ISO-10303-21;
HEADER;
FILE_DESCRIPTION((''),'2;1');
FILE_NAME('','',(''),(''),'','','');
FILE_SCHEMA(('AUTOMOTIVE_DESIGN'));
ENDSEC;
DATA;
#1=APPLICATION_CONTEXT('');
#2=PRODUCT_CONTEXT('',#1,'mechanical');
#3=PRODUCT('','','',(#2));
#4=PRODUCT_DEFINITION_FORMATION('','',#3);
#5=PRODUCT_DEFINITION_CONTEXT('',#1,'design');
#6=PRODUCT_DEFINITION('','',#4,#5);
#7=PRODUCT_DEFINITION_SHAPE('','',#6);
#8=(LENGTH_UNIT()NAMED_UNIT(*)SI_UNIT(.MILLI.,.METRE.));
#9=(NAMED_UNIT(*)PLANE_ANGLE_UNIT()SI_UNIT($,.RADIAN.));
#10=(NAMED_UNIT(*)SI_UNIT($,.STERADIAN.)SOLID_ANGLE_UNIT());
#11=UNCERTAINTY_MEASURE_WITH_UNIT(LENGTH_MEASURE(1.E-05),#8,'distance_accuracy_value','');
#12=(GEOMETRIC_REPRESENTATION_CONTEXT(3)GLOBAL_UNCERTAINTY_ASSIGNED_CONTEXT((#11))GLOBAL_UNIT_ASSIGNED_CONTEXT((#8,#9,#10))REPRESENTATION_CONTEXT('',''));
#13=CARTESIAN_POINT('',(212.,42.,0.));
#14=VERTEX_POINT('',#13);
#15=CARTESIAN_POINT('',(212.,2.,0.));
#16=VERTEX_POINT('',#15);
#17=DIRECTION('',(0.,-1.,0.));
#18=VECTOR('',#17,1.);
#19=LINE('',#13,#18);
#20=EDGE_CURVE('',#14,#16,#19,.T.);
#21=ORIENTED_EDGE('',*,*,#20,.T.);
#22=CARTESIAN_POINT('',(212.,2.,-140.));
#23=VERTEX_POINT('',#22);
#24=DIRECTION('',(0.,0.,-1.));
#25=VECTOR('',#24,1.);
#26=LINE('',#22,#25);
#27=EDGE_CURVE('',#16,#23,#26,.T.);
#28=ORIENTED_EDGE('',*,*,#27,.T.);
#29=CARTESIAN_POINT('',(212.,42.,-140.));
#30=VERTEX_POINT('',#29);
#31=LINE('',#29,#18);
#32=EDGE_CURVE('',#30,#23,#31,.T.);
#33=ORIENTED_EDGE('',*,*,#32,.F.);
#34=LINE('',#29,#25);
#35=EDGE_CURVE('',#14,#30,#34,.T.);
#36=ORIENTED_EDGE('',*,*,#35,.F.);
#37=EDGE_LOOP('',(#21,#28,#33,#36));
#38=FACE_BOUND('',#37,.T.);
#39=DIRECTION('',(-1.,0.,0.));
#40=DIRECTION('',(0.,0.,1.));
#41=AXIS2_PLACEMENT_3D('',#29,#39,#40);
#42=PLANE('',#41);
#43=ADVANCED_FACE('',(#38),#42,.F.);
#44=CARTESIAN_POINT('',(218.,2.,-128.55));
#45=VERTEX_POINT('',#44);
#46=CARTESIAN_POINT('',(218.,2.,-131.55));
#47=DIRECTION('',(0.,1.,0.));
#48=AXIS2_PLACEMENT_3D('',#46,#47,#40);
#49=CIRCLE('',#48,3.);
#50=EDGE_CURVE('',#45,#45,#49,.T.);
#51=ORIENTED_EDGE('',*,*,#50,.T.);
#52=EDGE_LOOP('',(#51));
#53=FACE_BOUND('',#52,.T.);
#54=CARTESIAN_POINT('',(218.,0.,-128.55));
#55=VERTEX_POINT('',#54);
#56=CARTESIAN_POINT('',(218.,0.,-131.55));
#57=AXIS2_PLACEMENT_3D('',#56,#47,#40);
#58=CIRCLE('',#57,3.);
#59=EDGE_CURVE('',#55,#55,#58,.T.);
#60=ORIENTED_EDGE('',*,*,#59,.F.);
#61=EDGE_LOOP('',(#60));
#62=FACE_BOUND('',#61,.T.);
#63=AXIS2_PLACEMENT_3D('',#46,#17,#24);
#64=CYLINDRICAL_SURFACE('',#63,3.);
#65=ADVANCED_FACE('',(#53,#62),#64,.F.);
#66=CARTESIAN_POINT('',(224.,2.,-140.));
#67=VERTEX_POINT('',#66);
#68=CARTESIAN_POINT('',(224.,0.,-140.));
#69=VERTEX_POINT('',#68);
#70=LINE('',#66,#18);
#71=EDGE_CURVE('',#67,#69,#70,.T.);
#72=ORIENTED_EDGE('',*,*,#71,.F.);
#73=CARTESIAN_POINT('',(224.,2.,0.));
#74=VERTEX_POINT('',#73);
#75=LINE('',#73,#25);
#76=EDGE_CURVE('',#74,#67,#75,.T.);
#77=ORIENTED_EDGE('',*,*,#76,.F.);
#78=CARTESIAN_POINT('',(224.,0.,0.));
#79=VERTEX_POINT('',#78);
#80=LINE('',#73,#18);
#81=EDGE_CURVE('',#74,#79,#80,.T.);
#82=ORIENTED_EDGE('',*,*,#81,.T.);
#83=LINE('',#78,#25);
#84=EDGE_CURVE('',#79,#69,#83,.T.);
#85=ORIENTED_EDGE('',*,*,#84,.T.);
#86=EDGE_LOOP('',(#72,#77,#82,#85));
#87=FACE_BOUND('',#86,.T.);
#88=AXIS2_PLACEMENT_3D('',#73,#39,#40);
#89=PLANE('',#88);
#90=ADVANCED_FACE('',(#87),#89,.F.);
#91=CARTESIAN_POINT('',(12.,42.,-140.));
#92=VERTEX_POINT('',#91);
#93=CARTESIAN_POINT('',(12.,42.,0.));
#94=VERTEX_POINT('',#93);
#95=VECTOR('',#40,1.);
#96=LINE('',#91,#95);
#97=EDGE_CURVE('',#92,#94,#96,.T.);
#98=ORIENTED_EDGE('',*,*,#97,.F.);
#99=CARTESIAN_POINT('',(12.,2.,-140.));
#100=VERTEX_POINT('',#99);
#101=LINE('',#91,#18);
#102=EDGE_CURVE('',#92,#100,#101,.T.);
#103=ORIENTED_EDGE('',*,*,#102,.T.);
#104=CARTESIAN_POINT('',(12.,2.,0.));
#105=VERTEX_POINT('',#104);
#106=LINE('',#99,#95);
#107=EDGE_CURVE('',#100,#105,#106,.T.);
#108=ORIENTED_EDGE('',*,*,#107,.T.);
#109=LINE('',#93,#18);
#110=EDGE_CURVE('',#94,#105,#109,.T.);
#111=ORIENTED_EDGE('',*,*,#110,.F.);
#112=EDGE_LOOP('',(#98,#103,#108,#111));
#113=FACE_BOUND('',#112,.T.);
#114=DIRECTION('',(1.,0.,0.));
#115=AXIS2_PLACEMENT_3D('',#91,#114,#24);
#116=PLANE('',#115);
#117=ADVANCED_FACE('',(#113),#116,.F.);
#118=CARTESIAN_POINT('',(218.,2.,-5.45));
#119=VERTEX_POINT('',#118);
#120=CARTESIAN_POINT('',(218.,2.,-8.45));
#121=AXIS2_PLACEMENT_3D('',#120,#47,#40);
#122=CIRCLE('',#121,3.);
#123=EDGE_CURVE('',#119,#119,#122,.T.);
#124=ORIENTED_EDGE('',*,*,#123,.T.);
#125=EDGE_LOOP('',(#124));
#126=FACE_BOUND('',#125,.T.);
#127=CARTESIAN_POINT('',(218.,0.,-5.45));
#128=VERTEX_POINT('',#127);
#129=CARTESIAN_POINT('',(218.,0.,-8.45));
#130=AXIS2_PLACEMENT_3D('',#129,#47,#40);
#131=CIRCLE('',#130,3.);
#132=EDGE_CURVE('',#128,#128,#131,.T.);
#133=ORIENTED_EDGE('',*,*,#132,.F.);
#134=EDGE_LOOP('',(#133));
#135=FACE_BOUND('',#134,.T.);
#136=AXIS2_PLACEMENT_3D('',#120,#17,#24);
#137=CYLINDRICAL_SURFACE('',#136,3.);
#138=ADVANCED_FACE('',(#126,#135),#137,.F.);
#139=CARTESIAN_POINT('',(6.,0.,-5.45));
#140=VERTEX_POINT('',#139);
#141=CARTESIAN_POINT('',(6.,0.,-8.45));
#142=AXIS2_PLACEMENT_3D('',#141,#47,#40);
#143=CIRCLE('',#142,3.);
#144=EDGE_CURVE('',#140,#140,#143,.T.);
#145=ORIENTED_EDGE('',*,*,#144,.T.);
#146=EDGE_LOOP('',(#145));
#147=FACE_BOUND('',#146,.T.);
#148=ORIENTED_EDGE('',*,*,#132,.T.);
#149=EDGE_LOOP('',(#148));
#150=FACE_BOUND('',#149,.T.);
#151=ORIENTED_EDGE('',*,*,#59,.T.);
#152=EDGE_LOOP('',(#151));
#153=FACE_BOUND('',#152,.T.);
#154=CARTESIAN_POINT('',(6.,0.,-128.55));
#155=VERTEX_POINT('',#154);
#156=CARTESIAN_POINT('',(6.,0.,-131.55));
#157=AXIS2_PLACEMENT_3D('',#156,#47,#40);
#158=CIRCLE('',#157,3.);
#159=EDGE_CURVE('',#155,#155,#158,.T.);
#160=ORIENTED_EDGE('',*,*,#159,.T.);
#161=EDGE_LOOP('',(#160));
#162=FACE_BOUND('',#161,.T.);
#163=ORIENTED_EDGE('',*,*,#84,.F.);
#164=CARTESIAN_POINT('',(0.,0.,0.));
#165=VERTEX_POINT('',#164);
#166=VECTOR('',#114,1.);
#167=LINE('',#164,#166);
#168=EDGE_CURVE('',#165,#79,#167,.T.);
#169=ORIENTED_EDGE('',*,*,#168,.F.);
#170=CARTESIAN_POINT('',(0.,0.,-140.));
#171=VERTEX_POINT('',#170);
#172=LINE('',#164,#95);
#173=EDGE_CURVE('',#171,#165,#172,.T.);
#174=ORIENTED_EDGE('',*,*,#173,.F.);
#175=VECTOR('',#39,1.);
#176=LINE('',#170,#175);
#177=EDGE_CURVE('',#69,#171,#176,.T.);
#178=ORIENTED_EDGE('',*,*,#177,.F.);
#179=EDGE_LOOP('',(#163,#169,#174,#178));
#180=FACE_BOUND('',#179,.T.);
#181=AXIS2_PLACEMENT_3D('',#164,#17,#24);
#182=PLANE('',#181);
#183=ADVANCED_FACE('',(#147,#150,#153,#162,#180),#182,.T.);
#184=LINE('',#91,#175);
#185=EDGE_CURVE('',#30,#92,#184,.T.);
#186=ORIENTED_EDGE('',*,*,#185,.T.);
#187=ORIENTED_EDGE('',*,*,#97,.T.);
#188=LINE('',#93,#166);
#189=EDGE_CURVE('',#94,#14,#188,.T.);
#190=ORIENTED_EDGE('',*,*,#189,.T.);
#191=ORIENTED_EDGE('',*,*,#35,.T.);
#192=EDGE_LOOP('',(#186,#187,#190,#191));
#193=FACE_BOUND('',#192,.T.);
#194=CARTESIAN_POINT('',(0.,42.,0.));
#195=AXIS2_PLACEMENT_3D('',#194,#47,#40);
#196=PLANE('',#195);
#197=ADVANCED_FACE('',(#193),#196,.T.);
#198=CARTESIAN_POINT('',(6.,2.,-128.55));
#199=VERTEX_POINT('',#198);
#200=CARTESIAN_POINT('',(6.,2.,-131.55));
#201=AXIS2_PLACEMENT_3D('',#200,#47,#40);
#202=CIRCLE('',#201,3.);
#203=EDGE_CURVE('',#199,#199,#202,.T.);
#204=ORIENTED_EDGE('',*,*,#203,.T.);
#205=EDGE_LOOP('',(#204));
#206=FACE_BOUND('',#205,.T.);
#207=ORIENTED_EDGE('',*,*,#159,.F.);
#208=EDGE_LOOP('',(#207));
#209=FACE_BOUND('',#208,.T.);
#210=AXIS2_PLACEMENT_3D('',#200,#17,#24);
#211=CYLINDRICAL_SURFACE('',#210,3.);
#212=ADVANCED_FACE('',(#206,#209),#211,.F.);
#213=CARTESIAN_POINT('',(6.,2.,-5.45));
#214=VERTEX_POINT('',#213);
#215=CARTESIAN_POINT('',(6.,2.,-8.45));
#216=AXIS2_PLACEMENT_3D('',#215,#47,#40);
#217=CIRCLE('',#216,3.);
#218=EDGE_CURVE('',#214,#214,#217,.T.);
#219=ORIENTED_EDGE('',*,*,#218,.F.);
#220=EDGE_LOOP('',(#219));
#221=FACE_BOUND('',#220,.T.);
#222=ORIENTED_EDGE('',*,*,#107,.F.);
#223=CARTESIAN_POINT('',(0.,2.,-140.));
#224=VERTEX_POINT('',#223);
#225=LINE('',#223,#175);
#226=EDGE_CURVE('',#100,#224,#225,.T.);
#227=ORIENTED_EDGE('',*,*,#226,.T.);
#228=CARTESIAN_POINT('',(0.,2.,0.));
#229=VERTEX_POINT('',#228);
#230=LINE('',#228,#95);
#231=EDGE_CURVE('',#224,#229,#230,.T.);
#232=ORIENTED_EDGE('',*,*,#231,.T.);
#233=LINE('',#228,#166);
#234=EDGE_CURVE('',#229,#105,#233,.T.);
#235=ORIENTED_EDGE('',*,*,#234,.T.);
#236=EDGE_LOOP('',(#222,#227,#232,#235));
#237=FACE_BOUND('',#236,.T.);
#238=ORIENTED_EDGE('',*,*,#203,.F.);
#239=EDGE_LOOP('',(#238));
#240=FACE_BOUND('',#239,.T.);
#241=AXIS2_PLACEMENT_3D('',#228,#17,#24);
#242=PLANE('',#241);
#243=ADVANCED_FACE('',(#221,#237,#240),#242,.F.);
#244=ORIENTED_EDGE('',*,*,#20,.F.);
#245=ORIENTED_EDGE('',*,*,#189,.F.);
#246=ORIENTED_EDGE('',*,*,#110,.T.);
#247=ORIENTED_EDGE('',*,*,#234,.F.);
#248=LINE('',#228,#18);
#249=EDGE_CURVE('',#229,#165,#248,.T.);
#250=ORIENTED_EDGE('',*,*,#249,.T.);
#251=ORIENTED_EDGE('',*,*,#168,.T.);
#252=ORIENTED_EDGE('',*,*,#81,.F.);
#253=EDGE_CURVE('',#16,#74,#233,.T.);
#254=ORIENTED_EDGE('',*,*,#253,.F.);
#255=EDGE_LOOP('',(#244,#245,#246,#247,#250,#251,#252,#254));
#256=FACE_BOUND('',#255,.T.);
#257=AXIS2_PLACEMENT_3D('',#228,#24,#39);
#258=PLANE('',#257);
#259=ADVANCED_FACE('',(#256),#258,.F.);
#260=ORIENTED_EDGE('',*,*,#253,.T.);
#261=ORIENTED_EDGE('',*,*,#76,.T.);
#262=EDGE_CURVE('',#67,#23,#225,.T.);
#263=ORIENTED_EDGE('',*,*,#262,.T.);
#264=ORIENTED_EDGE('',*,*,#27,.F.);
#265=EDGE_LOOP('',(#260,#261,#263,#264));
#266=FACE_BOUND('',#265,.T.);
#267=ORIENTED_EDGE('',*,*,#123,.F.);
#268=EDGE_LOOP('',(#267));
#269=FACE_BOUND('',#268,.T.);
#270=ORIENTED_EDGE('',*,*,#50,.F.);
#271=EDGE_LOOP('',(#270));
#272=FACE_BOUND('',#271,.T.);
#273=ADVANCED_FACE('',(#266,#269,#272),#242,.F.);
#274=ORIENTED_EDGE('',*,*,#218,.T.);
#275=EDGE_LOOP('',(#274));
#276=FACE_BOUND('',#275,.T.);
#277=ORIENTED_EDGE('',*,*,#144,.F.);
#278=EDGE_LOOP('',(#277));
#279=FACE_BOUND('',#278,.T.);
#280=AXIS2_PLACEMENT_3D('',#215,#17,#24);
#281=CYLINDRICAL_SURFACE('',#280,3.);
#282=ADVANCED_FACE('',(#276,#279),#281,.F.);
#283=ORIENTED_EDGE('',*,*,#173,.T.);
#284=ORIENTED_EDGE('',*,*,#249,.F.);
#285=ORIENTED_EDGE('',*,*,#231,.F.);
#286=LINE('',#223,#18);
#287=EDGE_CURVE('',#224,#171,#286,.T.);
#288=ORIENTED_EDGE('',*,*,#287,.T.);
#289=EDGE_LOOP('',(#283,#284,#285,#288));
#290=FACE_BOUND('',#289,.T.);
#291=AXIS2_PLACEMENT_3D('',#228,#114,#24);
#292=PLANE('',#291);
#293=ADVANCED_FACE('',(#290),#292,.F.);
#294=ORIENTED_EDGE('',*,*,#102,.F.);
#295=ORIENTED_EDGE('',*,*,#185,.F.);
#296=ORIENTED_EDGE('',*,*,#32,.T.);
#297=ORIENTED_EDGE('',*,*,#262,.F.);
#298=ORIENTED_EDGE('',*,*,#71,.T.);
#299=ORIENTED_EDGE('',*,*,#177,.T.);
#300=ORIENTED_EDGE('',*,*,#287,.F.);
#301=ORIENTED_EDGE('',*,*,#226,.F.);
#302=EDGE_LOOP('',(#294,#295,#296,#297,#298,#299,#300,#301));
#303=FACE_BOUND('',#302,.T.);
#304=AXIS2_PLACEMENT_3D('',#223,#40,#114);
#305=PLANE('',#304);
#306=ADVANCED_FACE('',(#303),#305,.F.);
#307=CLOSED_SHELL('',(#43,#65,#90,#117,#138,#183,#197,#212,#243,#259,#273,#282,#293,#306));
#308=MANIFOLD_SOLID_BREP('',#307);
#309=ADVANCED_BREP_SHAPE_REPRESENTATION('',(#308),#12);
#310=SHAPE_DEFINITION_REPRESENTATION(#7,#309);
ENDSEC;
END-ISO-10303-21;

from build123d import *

# Parameters (mm, degrees)
SKETCH_1_W      = 224
SKETCH_1_H      = 140
SKETCH_1_R      = 3
EXTRUDE_1_DEPTH = 2
SKETCH_2_W      = 200
SKETCH_2_H      = 140
EXTRUDE_2_DEPTH = 40


with BuildPart() as part:
    # 草图1 → 凸台-拉伸1 (new body)
    with BuildSketch(Plane(origin=(0, 0, 0), x_dir=(1, 0, 0), z_dir=(0, 1, 0))):
        with Locations((112, 70)):
            Rectangle(SKETCH_1_W, SKETCH_1_H)
        with Locations((6, 131.55)):
            Circle(SKETCH_1_R, mode=Mode.SUBTRACT)
        with Locations((218, 131.55)):
            Circle(SKETCH_1_R, mode=Mode.SUBTRACT)
        with Locations((218, 8.45)):
            Circle(SKETCH_1_R, mode=Mode.SUBTRACT)
        with Locations((6, 8.45)):
            Circle(SKETCH_1_R, mode=Mode.SUBTRACT)
    extrude(amount=EXTRUDE_1_DEPTH)

    # 草图2 → 凸台-拉伸2 (add)
    with BuildSketch(Plane(origin=(0, 2, 0), x_dir=(1, 0, 0), z_dir=(0, 1, 0))):
        with Locations((112, 70)):
            Rectangle(SKETCH_2_W, SKETCH_2_H)
    extrude(amount=EXTRUDE_2_DEPTH)


solid = part.part
